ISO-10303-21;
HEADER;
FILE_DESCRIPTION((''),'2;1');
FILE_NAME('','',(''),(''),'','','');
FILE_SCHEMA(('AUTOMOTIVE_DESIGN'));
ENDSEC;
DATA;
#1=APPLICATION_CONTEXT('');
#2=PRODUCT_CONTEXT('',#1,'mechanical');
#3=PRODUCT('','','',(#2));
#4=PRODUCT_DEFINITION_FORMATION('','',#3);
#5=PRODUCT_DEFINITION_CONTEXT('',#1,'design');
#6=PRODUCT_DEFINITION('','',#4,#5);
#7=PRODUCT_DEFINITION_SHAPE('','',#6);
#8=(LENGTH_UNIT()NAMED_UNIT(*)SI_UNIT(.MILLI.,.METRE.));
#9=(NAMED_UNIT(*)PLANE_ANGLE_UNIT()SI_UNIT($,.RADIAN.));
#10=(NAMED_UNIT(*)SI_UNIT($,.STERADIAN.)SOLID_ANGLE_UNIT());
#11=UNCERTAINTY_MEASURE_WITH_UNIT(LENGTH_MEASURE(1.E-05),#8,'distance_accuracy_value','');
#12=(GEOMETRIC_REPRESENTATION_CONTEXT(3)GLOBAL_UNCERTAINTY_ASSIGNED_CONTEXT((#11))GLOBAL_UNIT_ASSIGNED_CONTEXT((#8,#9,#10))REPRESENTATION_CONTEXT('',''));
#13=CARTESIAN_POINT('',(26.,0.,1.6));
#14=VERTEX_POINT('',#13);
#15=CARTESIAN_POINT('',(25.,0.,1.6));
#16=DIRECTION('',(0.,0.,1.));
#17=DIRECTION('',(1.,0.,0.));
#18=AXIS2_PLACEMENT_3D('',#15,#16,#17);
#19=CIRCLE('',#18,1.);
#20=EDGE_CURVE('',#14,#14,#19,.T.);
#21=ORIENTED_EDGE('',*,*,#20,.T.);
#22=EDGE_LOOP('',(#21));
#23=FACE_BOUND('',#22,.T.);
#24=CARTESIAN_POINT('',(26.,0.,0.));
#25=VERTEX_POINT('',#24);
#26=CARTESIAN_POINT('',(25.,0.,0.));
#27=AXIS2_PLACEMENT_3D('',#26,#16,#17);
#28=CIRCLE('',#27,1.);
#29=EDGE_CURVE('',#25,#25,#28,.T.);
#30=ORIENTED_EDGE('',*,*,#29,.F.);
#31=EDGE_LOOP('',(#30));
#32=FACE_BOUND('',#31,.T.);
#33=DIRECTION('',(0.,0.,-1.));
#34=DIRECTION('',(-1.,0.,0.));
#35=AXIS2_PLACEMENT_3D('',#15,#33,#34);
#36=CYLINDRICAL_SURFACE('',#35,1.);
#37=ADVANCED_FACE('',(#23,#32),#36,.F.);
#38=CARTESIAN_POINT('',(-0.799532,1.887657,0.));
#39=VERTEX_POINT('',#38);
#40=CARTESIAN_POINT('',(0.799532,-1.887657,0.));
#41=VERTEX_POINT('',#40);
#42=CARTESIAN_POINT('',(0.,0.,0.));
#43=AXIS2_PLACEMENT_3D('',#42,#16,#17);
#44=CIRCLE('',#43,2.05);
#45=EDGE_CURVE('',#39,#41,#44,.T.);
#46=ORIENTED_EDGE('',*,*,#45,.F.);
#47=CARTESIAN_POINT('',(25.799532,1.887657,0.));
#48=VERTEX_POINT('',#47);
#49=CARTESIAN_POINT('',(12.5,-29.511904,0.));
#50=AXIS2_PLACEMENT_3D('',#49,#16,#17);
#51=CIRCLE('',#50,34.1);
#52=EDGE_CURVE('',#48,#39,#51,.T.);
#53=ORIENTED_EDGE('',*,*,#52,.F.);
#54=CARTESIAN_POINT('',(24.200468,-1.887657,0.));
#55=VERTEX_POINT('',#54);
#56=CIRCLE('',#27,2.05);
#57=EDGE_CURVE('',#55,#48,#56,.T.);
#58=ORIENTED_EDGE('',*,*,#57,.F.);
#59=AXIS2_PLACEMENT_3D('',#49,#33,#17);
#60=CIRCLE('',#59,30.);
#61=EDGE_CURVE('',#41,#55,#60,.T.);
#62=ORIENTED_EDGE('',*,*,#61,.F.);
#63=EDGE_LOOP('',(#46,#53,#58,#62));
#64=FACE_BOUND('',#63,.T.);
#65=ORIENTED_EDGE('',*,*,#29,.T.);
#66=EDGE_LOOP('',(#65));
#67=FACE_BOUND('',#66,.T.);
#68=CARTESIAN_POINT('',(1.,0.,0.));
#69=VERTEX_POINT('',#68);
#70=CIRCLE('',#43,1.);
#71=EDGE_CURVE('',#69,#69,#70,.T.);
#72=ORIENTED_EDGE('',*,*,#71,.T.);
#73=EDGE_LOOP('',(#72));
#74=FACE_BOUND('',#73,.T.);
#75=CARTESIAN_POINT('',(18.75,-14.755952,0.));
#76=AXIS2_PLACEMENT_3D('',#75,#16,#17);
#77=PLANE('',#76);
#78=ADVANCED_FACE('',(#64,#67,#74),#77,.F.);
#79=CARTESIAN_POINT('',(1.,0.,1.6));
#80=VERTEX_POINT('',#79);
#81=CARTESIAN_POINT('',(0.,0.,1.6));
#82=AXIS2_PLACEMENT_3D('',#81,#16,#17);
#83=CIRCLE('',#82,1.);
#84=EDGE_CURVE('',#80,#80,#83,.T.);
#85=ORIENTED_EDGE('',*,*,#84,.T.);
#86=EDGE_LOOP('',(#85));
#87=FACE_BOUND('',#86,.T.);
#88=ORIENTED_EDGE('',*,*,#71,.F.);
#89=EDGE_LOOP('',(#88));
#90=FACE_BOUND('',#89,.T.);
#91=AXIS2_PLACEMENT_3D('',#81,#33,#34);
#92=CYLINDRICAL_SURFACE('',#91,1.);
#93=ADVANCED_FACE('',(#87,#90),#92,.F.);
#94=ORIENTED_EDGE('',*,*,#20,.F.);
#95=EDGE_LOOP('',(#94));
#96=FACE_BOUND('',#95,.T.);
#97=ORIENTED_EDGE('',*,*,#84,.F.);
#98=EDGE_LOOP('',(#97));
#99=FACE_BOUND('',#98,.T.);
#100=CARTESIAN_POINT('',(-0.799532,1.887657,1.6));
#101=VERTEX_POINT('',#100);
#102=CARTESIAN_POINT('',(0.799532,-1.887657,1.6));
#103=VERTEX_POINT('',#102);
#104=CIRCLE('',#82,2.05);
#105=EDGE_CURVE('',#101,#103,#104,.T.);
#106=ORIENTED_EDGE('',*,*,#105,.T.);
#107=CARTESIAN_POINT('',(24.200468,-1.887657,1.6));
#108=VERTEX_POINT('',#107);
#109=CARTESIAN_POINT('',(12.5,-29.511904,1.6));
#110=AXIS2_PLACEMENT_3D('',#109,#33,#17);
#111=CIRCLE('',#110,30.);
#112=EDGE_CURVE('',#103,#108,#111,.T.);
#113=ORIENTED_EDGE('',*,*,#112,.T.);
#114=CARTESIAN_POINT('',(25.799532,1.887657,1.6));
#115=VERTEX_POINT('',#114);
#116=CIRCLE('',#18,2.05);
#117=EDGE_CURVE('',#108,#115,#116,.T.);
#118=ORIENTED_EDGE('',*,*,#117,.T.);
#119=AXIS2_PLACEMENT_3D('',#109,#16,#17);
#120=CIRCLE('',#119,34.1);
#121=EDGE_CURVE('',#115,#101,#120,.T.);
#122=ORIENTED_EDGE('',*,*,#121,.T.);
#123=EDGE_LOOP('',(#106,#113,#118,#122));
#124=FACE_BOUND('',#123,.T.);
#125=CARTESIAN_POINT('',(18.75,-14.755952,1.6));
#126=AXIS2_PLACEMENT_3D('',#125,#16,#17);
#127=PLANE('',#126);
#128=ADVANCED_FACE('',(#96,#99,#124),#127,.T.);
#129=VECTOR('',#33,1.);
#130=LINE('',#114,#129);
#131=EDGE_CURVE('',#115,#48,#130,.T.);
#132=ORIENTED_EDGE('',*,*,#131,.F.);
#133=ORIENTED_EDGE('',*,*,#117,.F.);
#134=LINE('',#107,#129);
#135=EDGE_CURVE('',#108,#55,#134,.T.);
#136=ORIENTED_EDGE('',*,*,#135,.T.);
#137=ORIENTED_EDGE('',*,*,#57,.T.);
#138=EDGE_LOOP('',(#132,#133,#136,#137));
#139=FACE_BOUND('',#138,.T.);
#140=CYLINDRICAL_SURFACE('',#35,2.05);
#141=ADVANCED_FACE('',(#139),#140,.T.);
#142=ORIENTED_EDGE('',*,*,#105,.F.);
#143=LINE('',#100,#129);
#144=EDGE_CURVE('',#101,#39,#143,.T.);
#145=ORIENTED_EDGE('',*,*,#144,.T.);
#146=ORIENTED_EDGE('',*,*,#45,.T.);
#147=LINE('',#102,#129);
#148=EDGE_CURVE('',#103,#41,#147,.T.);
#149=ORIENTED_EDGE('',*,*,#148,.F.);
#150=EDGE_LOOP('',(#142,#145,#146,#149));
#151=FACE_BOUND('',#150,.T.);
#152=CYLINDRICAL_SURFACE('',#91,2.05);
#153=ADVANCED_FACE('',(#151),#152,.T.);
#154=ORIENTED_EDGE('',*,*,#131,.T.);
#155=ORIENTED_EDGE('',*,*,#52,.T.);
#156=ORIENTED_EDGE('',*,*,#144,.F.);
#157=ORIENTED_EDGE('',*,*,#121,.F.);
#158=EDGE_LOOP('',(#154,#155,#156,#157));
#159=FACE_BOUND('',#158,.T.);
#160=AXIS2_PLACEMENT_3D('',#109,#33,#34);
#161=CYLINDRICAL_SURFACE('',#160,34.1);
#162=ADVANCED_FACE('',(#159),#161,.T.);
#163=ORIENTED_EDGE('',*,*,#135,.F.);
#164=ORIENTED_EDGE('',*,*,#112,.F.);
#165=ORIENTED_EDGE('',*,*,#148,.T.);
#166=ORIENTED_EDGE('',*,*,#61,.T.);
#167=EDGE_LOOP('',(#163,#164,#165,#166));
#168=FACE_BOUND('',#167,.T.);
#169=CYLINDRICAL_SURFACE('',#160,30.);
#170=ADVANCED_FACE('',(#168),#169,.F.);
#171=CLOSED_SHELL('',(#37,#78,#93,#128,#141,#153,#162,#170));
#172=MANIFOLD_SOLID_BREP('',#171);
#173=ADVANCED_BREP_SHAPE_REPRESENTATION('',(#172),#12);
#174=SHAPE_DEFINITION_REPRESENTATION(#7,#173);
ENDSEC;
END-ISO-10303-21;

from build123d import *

# Parameters (mm, degrees)
SKETCH3_R           = 1
BOSS_EXTRUDE1_DEPTH = 1.6


with BuildPart() as part:
    # Sketch3 → Boss-Extrude1 (new body)
    with BuildSketch(Plane.XY):
        with BuildLine():
            ThreePointArc((25.799531981, 1.88765691), (12.5, 4.588095622), (-0.799531981, 1.88765691))
            ThreePointArc((-0.799531981, 1.88765691), (-1.88765691, -0.799531981), (0.799531981, -1.88765691))
            ThreePointArc((0.799531981, -1.88765691), (12.5, 0.488095622), (24.200468019, -1.88765691))
            ThreePointArc((24.200468019, -1.88765691), (26.88765691, -0.799531981), (25.799531981, 1.88765691))
        make_face()
        Circle(SKETCH3_R, mode=Mode.SUBTRACT)
        with Locations((25, 0)):
            Circle(SKETCH3_R, mode=Mode.SUBTRACT)
    extrude(amount=BOSS_EXTRUDE1_DEPTH)


solid = part.part
